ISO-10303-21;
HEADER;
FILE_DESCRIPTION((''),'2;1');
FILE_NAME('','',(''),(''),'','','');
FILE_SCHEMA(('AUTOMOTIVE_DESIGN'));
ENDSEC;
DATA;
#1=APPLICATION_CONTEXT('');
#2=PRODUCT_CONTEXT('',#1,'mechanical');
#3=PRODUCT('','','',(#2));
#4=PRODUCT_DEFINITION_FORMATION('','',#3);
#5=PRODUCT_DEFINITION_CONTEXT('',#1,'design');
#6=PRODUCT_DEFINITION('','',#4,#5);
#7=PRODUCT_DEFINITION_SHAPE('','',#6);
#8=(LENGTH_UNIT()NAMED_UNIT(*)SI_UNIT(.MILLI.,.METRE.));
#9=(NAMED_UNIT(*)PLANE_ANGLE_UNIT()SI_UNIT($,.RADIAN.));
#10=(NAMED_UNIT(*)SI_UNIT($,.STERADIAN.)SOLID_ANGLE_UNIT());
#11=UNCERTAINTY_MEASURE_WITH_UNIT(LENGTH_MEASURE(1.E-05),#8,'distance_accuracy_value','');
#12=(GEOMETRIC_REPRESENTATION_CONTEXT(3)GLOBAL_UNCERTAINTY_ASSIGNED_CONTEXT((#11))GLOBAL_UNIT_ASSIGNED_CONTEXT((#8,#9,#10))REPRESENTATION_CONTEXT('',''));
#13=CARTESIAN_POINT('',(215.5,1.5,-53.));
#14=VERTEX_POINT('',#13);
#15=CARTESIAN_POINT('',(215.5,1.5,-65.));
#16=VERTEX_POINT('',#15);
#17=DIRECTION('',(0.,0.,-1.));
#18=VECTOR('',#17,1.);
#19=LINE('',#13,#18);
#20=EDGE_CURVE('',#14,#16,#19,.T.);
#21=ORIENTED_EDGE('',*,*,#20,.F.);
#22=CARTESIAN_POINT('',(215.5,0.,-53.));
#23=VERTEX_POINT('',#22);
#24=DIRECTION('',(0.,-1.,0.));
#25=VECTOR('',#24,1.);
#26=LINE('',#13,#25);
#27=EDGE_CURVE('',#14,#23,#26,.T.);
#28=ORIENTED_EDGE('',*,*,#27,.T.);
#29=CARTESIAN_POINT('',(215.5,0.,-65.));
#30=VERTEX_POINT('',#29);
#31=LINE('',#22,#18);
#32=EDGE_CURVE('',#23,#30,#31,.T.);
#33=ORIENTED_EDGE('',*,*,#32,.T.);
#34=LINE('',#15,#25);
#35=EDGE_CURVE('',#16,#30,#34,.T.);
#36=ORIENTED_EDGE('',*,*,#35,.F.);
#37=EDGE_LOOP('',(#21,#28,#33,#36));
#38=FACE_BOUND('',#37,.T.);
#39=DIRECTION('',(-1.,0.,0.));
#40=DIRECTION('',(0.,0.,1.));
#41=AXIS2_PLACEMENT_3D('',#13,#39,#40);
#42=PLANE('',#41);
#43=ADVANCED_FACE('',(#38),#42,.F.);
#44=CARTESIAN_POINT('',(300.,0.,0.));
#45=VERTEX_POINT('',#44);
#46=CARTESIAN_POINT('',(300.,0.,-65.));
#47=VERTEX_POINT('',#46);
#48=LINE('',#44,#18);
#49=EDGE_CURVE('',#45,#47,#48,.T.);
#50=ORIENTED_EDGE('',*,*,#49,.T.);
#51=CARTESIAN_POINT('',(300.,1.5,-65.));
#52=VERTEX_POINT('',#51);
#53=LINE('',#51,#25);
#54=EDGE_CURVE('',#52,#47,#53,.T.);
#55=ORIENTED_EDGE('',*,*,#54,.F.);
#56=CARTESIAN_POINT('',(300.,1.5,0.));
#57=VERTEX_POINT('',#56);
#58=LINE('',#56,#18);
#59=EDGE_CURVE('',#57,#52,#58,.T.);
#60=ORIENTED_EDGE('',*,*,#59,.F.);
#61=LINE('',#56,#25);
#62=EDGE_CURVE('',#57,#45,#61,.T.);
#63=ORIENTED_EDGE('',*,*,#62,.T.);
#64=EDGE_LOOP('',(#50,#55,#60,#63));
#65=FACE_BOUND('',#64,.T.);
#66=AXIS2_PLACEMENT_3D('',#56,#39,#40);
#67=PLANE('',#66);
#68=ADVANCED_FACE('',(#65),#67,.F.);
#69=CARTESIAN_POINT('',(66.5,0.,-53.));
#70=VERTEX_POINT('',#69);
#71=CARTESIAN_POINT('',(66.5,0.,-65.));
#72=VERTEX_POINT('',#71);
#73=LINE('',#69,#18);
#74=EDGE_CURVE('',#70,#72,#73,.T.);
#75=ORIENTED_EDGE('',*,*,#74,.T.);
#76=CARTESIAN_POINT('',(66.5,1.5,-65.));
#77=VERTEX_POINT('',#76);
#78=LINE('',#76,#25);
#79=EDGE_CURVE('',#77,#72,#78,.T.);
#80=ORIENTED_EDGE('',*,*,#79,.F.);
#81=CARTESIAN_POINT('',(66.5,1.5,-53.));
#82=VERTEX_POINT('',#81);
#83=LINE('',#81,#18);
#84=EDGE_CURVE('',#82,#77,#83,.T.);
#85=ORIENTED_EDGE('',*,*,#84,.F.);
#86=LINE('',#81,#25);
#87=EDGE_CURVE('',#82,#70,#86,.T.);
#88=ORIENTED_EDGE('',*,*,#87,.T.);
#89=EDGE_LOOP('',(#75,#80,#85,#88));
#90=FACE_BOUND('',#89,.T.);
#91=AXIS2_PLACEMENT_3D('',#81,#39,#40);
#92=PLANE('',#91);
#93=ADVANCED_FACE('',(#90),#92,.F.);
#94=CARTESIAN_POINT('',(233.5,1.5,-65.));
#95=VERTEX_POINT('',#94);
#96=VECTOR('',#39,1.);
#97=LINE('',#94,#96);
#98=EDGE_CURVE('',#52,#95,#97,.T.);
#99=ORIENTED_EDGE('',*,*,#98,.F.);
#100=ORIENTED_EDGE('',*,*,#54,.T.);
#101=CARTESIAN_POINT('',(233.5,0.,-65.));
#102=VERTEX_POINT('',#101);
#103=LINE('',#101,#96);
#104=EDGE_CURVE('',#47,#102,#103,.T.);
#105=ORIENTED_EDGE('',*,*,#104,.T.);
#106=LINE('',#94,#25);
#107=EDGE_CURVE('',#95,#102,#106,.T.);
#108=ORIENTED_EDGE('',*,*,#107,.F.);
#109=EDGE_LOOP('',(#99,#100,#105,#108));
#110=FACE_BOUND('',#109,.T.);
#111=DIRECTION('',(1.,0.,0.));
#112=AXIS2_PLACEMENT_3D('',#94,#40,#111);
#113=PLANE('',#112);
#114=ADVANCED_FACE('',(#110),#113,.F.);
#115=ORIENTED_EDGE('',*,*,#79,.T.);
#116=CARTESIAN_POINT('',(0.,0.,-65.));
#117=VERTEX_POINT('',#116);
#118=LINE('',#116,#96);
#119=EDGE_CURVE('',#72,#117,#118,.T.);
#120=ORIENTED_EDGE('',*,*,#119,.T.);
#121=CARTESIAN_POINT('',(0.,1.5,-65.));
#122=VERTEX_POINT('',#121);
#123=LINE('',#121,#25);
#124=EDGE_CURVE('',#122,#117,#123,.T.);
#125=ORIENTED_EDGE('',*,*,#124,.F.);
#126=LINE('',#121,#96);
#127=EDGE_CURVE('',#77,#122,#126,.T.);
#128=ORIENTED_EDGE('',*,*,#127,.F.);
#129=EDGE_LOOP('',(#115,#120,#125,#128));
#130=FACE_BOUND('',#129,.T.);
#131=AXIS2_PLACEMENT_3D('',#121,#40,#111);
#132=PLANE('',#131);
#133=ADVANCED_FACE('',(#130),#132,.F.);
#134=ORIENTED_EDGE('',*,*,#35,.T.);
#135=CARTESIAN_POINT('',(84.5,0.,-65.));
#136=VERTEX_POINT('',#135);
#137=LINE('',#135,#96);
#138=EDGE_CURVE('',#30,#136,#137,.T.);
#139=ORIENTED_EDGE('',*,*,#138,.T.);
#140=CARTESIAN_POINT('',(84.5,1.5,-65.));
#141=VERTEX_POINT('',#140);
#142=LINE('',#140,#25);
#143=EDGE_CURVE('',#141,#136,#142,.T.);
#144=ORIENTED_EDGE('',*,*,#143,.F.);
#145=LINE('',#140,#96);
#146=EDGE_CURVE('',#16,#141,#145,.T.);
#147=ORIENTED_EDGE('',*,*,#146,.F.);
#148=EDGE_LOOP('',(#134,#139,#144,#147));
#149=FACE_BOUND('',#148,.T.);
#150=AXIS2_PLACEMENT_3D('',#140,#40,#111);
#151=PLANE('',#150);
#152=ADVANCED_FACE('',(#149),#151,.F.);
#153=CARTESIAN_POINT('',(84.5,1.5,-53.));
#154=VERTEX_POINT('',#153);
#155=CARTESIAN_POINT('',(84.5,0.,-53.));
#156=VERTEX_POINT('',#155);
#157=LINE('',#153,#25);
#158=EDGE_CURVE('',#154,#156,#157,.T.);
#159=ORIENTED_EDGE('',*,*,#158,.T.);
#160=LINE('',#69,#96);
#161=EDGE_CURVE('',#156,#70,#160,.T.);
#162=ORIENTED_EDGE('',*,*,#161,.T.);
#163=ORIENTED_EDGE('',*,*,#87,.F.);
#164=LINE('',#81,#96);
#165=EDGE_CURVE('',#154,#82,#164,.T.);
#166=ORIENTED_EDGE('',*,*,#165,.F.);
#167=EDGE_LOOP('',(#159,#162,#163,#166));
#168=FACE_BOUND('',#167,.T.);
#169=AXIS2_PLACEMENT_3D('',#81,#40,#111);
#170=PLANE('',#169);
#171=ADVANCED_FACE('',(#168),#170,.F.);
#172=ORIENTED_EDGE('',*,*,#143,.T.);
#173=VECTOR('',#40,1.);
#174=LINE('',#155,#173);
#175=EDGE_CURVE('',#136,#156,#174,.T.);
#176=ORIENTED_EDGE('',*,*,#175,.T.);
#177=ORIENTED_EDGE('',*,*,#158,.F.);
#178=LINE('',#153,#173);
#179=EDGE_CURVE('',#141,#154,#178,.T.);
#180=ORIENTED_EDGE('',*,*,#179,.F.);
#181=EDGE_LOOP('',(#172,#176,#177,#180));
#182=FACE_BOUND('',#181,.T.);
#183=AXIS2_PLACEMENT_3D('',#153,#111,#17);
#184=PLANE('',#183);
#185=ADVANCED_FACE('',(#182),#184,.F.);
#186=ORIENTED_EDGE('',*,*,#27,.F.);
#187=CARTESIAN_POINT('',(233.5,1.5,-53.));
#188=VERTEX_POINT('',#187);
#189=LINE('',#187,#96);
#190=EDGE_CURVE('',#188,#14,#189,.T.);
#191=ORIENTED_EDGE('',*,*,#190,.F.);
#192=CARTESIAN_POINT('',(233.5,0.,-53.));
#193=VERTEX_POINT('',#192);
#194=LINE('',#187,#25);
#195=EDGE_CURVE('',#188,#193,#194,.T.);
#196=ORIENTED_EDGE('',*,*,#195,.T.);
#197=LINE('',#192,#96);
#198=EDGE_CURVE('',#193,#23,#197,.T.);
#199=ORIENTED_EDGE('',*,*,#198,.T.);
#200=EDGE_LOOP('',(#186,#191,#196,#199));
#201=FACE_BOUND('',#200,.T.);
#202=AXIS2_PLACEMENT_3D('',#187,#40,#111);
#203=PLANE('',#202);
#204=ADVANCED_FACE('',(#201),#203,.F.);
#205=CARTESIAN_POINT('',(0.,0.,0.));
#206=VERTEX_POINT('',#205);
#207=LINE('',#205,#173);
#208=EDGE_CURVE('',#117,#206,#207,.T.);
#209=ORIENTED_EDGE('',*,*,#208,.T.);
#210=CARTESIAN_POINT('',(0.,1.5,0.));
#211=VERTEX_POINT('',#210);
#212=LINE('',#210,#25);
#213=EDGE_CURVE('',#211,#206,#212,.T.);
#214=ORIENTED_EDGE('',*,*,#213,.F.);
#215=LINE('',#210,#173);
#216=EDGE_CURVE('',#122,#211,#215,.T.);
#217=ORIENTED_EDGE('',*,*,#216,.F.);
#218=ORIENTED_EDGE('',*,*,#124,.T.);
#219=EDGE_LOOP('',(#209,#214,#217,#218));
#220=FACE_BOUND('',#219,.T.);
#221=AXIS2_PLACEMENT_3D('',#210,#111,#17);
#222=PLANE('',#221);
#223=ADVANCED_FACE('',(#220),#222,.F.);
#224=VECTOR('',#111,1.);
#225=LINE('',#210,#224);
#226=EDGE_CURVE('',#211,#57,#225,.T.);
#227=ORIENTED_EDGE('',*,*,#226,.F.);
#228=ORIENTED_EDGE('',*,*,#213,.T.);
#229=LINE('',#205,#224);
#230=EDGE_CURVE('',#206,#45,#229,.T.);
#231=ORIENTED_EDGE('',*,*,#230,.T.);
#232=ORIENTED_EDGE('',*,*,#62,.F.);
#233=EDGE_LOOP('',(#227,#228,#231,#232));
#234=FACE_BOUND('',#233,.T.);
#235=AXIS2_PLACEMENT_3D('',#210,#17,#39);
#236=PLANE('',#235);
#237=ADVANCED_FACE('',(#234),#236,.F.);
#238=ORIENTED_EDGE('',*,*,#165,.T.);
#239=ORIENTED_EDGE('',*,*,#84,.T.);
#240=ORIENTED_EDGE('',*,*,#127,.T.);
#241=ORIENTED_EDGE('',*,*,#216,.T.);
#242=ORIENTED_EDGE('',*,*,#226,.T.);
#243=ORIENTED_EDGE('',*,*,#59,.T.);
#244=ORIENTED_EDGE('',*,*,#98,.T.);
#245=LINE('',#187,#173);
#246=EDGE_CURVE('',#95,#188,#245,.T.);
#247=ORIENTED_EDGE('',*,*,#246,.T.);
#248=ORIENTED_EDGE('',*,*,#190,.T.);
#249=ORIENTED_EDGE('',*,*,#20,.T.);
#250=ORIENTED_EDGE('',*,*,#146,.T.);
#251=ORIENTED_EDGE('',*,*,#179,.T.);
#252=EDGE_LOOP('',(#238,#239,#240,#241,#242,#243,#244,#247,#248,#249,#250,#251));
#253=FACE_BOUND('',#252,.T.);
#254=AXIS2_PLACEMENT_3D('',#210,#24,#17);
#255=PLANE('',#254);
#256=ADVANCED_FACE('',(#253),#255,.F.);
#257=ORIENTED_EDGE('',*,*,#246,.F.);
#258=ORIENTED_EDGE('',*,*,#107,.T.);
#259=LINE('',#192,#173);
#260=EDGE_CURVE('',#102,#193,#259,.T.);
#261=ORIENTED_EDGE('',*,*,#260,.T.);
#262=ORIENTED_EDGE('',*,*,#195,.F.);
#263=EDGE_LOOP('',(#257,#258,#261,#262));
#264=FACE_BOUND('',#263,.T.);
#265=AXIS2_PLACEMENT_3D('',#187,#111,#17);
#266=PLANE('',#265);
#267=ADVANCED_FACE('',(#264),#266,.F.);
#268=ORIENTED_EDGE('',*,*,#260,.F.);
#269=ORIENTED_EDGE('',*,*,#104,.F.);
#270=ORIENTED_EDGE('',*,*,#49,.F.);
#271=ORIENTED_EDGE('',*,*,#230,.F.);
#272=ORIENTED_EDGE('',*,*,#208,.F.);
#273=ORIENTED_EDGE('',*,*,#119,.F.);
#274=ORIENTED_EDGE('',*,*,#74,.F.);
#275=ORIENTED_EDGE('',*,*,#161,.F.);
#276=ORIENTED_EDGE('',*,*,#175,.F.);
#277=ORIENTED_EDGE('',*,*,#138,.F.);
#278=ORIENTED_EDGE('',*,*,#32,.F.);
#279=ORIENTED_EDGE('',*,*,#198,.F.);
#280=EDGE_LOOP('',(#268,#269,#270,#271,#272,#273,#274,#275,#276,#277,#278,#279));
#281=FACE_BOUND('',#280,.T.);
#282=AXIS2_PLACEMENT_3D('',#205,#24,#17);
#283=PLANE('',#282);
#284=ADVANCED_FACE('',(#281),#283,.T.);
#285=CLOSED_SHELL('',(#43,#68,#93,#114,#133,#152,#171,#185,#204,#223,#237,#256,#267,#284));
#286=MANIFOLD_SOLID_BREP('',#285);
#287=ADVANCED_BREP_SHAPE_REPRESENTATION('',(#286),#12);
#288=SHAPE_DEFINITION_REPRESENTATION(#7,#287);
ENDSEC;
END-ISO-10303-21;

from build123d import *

# Parameters (mm, degrees)
RESSALTO_EXTRUS_O1_DEPTH = 1.5


with BuildPart() as part:
    # Esboço1 → Ressalto-extrusão1 (new body)
    with BuildSketch(Plane(origin=(0, 0, 0), x_dir=(1, 0, 0), z_dir=(0, 1, 0))):
        Polygon((0, 0), (300, 0), (300, 65), (233.5, 65), (233.5, 53), (215.5, 53), (215.5, 65), (84.5, 65), (84.5, 53), (66.5, 53), (66.5, 65), (0, 65), align=None)
    extrude(amount=RESSALTO_EXTRUS_O1_DEPTH)


solid = part.part
